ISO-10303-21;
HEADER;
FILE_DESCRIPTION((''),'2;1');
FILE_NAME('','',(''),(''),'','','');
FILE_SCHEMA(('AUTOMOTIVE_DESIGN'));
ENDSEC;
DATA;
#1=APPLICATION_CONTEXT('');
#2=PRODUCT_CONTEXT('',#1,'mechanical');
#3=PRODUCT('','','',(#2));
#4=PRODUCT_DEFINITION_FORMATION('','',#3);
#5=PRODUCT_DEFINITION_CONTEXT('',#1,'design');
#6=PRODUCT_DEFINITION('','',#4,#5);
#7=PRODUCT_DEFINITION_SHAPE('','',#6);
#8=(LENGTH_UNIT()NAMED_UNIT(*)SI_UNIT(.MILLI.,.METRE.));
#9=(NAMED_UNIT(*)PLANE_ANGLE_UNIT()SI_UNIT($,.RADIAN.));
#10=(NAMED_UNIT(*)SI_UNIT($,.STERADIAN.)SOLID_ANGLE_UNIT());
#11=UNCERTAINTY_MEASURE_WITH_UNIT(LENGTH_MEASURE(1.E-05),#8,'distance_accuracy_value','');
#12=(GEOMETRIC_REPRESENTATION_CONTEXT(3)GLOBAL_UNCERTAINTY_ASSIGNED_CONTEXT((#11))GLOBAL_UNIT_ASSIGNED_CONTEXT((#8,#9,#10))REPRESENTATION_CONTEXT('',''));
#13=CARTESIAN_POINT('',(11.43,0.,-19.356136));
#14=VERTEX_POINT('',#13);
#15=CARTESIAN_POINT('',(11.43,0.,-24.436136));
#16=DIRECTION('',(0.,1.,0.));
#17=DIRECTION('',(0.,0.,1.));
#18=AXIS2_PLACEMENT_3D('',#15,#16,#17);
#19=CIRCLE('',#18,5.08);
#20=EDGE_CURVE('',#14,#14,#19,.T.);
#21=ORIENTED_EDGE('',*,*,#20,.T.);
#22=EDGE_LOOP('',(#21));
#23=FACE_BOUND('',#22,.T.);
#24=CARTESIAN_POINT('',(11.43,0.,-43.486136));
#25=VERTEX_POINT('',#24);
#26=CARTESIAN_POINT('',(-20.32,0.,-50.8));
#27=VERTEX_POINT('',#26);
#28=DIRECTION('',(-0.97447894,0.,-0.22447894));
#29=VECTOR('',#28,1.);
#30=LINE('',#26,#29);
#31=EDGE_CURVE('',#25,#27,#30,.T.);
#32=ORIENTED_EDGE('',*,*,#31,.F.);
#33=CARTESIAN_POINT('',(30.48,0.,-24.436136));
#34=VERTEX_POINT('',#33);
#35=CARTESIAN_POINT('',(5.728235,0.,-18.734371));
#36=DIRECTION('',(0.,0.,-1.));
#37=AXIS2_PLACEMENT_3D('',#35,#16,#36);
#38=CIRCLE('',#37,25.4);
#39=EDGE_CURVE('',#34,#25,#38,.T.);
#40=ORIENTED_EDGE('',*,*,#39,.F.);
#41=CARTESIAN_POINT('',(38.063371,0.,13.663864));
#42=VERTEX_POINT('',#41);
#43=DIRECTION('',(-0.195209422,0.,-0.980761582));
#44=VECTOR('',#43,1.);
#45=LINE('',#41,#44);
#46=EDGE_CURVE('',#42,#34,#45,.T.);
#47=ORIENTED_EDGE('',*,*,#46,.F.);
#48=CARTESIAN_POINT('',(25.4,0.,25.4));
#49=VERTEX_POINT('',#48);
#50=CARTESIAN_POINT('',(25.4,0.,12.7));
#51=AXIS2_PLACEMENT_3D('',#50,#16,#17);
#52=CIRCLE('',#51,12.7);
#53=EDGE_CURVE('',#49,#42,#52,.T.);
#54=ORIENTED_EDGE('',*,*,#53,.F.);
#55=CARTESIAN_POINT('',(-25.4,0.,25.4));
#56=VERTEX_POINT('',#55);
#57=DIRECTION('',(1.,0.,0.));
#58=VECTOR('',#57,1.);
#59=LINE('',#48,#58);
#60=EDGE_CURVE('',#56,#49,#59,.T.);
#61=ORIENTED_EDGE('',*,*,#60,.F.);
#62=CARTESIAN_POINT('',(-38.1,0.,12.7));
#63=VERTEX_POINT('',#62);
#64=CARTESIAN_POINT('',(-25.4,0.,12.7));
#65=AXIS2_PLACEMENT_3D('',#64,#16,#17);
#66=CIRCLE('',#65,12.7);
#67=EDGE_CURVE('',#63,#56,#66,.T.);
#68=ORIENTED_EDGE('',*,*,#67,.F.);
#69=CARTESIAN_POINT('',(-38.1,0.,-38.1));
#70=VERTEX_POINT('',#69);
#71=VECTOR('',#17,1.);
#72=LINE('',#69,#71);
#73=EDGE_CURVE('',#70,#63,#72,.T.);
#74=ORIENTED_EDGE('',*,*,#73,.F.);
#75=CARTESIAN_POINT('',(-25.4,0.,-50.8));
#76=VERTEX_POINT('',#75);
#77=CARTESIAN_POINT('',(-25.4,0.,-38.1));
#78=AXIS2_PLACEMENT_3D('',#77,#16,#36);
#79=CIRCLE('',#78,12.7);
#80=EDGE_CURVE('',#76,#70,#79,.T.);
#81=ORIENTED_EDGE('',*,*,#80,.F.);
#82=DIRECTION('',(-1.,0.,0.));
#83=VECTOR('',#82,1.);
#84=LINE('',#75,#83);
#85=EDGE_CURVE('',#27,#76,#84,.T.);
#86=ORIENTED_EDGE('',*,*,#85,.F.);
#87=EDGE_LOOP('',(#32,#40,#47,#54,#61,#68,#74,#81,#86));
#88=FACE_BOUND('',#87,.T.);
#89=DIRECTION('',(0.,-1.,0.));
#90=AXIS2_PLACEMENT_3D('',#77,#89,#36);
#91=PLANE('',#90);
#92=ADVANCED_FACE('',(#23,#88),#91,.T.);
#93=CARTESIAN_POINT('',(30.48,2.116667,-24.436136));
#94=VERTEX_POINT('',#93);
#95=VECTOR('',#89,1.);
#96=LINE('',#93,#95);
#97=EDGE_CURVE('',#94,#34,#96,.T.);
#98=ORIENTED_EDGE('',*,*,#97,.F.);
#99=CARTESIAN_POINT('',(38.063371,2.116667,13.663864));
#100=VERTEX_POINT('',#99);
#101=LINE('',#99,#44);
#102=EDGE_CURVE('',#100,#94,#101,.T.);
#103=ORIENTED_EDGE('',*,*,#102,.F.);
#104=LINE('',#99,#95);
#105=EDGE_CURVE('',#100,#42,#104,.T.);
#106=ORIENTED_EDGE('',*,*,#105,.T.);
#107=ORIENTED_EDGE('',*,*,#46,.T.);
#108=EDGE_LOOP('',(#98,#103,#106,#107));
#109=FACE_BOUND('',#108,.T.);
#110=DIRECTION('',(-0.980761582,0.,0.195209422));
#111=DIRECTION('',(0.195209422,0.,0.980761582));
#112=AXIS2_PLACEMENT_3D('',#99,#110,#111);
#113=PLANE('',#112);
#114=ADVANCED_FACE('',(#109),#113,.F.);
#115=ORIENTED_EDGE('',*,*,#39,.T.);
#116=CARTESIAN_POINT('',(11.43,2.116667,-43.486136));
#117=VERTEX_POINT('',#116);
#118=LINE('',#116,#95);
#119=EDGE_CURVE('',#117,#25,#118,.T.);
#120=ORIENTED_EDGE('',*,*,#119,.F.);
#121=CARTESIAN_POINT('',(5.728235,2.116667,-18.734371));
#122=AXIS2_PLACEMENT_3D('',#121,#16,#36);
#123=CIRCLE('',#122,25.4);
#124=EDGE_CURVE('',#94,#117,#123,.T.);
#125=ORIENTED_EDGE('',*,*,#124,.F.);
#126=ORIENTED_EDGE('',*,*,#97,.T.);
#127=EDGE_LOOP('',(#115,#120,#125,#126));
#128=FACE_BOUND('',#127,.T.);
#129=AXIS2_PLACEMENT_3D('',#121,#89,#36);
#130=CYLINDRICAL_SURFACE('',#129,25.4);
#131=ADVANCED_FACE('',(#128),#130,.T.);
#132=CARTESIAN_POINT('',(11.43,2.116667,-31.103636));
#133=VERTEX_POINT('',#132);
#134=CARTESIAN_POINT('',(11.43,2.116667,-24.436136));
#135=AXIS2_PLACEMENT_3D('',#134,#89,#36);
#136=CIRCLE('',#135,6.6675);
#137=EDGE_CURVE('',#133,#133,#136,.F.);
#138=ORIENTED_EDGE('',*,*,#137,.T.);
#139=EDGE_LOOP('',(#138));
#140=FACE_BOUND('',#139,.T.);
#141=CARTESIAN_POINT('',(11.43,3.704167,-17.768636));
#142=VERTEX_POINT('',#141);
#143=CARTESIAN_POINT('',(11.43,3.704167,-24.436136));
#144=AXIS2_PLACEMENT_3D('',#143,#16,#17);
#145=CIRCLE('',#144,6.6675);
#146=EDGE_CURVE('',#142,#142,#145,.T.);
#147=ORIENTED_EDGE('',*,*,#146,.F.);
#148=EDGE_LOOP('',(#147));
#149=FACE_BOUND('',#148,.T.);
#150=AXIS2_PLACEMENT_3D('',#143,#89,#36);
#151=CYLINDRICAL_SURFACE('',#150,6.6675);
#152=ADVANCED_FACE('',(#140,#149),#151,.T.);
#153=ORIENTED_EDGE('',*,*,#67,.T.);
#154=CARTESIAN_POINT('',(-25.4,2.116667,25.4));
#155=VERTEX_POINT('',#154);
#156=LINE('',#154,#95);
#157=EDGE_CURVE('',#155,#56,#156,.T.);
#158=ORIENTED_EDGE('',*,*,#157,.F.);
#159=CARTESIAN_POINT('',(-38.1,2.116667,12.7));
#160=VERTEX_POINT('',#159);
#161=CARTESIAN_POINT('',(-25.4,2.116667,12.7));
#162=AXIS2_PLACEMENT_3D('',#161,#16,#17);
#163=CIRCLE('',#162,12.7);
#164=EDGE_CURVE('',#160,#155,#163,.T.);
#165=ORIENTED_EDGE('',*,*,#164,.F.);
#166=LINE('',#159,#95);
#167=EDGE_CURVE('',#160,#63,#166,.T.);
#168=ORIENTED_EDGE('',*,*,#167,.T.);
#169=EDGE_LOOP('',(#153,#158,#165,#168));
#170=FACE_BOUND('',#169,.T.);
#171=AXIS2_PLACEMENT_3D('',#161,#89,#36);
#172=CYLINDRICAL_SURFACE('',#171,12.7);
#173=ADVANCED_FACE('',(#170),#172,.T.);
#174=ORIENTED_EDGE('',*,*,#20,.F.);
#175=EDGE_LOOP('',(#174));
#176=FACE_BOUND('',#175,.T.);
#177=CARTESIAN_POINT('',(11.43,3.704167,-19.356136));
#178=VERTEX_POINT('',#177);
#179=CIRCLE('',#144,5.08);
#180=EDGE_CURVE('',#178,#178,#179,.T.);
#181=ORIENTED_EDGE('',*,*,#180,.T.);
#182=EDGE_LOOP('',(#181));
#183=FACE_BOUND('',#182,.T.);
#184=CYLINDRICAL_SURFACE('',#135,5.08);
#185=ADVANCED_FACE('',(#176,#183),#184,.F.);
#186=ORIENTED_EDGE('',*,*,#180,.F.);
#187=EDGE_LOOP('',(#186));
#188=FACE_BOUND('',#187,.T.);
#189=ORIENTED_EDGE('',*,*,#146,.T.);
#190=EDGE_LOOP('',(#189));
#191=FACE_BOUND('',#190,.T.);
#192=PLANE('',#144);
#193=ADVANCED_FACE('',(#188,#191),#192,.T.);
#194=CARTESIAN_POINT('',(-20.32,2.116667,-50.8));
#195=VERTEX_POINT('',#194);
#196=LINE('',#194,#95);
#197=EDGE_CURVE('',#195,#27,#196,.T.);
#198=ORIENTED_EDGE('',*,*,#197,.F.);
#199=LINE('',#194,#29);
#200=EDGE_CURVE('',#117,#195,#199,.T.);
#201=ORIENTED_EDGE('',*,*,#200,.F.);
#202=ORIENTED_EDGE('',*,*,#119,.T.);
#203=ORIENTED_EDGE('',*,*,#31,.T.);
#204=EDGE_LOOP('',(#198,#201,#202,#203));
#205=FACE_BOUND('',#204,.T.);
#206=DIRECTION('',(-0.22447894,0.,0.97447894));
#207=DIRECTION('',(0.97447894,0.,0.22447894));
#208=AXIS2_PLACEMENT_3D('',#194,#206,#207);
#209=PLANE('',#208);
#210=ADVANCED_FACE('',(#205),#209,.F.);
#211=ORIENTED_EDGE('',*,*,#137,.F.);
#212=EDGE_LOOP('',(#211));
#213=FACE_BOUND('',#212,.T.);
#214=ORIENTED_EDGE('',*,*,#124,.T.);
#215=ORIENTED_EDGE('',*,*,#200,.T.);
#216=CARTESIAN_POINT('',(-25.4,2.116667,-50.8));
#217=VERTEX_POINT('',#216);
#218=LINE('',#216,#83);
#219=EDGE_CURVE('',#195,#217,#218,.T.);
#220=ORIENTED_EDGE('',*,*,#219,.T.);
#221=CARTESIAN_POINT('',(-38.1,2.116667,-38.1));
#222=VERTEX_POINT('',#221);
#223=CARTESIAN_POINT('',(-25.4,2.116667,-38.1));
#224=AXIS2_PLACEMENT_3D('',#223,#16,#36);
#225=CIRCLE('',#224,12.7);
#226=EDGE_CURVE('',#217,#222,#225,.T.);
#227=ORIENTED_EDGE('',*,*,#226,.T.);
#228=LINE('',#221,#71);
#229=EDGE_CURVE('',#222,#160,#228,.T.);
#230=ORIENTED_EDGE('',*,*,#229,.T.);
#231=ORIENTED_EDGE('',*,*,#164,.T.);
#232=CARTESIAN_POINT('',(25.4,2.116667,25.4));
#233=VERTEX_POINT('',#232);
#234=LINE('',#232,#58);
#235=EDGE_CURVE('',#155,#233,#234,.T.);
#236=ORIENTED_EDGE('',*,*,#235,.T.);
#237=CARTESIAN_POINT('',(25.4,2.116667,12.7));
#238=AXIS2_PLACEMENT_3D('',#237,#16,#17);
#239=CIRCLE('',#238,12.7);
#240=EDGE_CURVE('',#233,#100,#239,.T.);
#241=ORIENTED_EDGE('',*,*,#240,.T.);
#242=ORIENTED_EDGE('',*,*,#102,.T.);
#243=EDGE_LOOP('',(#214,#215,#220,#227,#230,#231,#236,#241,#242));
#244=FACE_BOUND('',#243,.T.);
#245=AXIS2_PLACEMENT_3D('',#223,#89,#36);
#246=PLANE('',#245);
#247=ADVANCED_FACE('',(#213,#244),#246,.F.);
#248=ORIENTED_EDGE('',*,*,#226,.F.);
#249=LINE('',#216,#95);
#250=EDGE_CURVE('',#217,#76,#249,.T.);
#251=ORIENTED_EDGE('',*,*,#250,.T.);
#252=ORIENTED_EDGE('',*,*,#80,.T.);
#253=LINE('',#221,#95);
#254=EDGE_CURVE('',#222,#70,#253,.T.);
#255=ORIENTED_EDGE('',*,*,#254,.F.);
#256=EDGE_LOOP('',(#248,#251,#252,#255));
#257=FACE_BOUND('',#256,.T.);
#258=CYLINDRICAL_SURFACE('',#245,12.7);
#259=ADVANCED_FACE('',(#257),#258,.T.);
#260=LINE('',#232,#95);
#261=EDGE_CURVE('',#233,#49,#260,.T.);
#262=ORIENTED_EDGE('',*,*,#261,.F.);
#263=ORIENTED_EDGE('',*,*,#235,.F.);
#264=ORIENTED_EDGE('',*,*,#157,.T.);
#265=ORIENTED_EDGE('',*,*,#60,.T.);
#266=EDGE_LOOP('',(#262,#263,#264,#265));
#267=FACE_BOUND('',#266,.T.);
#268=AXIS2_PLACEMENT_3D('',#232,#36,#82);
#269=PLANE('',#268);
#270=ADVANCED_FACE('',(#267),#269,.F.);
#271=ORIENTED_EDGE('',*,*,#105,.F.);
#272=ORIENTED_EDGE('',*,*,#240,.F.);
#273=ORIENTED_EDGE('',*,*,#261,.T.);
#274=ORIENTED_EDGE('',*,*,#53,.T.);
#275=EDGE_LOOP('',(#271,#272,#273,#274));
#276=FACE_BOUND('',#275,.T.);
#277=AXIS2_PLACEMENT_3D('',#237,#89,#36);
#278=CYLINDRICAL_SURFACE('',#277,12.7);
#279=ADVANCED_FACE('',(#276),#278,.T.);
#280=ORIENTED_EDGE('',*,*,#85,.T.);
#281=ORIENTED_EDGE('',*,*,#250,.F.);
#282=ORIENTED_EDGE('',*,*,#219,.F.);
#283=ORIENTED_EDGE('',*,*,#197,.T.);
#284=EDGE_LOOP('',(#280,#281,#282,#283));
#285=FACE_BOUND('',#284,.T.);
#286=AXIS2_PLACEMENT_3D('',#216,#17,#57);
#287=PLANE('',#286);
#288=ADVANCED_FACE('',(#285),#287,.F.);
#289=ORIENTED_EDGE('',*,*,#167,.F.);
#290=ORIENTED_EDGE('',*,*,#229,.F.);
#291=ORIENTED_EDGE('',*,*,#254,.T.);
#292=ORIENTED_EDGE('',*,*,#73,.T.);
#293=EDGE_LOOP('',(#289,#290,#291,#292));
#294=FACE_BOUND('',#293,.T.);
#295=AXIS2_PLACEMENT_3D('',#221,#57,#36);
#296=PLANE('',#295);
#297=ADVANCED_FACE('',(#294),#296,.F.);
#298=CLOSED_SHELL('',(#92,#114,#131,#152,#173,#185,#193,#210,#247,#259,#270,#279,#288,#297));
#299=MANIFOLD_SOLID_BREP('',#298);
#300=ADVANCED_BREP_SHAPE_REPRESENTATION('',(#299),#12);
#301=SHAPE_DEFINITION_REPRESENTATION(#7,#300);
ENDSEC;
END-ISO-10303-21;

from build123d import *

# Parameters (mm, degrees)
SKETCH1_R           = 5.08
BOSS_EXTRUDE1_DEPTH = 2.116666667
SKETCH2_R           = 6.6675
SKETCH2_R_2         = 5.08
BOSS_EXTRUDE2_DEPTH = 1.5875


with BuildPart() as part:
    # Sketch1 → Boss-Extrude1 (new body)
    with BuildSketch(Plane(origin=(0, 0, 0), x_dir=(1, 0, 0), z_dir=(0, 1, 0))):
        with BuildLine():
            Line((-25.4, 50.8), (-20.32, 50.8))
            Line((-20.32, 50.8), (11.43, 43.486136085))
            ThreePointArc((11.43, 43.486136085), (23.688747156, 36.694883241), (30.48, 24.436136085))
            Line((30.48, 24.436136085), (38.06337105, -13.663863915))
            ThreePointArc((38.06337105, -13.663863915), (34.032755304, -22.014801976), (25.4, -25.4))
            Line((25.4, -25.4), (-25.4, -25.4))
            ThreePointArc((-25.4, -25.4), (-34.380256121, -21.680256121), (-38.1, -12.7))
            Line((-38.1, -12.7), (-38.1, 38.1))
            ThreePointArc((-38.1, 38.1), (-34.380256121, 47.080256121), (-25.4, 50.8))
        make_face()
        with Locations((11.43, 24.436136085)):
            Circle(SKETCH1_R, mode=Mode.SUBTRACT)
    extrude(amount=BOSS_EXTRUDE1_DEPTH)

    # Sketch2 → Boss-Extrude2 (add)
    with BuildSketch(Plane(origin=(0, 2.116666667, 0), x_dir=(1, 0, 0), z_dir=(0, 1, 0))):
        with Locations((11.43, 24.436136085)):
            Circle(SKETCH2_R)
        with Locations((11.43, 24.436136085)):
            Circle(SKETCH2_R_2, mode=Mode.SUBTRACT)
    extrude(amount=BOSS_EXTRUDE2_DEPTH)


solid = part.part
